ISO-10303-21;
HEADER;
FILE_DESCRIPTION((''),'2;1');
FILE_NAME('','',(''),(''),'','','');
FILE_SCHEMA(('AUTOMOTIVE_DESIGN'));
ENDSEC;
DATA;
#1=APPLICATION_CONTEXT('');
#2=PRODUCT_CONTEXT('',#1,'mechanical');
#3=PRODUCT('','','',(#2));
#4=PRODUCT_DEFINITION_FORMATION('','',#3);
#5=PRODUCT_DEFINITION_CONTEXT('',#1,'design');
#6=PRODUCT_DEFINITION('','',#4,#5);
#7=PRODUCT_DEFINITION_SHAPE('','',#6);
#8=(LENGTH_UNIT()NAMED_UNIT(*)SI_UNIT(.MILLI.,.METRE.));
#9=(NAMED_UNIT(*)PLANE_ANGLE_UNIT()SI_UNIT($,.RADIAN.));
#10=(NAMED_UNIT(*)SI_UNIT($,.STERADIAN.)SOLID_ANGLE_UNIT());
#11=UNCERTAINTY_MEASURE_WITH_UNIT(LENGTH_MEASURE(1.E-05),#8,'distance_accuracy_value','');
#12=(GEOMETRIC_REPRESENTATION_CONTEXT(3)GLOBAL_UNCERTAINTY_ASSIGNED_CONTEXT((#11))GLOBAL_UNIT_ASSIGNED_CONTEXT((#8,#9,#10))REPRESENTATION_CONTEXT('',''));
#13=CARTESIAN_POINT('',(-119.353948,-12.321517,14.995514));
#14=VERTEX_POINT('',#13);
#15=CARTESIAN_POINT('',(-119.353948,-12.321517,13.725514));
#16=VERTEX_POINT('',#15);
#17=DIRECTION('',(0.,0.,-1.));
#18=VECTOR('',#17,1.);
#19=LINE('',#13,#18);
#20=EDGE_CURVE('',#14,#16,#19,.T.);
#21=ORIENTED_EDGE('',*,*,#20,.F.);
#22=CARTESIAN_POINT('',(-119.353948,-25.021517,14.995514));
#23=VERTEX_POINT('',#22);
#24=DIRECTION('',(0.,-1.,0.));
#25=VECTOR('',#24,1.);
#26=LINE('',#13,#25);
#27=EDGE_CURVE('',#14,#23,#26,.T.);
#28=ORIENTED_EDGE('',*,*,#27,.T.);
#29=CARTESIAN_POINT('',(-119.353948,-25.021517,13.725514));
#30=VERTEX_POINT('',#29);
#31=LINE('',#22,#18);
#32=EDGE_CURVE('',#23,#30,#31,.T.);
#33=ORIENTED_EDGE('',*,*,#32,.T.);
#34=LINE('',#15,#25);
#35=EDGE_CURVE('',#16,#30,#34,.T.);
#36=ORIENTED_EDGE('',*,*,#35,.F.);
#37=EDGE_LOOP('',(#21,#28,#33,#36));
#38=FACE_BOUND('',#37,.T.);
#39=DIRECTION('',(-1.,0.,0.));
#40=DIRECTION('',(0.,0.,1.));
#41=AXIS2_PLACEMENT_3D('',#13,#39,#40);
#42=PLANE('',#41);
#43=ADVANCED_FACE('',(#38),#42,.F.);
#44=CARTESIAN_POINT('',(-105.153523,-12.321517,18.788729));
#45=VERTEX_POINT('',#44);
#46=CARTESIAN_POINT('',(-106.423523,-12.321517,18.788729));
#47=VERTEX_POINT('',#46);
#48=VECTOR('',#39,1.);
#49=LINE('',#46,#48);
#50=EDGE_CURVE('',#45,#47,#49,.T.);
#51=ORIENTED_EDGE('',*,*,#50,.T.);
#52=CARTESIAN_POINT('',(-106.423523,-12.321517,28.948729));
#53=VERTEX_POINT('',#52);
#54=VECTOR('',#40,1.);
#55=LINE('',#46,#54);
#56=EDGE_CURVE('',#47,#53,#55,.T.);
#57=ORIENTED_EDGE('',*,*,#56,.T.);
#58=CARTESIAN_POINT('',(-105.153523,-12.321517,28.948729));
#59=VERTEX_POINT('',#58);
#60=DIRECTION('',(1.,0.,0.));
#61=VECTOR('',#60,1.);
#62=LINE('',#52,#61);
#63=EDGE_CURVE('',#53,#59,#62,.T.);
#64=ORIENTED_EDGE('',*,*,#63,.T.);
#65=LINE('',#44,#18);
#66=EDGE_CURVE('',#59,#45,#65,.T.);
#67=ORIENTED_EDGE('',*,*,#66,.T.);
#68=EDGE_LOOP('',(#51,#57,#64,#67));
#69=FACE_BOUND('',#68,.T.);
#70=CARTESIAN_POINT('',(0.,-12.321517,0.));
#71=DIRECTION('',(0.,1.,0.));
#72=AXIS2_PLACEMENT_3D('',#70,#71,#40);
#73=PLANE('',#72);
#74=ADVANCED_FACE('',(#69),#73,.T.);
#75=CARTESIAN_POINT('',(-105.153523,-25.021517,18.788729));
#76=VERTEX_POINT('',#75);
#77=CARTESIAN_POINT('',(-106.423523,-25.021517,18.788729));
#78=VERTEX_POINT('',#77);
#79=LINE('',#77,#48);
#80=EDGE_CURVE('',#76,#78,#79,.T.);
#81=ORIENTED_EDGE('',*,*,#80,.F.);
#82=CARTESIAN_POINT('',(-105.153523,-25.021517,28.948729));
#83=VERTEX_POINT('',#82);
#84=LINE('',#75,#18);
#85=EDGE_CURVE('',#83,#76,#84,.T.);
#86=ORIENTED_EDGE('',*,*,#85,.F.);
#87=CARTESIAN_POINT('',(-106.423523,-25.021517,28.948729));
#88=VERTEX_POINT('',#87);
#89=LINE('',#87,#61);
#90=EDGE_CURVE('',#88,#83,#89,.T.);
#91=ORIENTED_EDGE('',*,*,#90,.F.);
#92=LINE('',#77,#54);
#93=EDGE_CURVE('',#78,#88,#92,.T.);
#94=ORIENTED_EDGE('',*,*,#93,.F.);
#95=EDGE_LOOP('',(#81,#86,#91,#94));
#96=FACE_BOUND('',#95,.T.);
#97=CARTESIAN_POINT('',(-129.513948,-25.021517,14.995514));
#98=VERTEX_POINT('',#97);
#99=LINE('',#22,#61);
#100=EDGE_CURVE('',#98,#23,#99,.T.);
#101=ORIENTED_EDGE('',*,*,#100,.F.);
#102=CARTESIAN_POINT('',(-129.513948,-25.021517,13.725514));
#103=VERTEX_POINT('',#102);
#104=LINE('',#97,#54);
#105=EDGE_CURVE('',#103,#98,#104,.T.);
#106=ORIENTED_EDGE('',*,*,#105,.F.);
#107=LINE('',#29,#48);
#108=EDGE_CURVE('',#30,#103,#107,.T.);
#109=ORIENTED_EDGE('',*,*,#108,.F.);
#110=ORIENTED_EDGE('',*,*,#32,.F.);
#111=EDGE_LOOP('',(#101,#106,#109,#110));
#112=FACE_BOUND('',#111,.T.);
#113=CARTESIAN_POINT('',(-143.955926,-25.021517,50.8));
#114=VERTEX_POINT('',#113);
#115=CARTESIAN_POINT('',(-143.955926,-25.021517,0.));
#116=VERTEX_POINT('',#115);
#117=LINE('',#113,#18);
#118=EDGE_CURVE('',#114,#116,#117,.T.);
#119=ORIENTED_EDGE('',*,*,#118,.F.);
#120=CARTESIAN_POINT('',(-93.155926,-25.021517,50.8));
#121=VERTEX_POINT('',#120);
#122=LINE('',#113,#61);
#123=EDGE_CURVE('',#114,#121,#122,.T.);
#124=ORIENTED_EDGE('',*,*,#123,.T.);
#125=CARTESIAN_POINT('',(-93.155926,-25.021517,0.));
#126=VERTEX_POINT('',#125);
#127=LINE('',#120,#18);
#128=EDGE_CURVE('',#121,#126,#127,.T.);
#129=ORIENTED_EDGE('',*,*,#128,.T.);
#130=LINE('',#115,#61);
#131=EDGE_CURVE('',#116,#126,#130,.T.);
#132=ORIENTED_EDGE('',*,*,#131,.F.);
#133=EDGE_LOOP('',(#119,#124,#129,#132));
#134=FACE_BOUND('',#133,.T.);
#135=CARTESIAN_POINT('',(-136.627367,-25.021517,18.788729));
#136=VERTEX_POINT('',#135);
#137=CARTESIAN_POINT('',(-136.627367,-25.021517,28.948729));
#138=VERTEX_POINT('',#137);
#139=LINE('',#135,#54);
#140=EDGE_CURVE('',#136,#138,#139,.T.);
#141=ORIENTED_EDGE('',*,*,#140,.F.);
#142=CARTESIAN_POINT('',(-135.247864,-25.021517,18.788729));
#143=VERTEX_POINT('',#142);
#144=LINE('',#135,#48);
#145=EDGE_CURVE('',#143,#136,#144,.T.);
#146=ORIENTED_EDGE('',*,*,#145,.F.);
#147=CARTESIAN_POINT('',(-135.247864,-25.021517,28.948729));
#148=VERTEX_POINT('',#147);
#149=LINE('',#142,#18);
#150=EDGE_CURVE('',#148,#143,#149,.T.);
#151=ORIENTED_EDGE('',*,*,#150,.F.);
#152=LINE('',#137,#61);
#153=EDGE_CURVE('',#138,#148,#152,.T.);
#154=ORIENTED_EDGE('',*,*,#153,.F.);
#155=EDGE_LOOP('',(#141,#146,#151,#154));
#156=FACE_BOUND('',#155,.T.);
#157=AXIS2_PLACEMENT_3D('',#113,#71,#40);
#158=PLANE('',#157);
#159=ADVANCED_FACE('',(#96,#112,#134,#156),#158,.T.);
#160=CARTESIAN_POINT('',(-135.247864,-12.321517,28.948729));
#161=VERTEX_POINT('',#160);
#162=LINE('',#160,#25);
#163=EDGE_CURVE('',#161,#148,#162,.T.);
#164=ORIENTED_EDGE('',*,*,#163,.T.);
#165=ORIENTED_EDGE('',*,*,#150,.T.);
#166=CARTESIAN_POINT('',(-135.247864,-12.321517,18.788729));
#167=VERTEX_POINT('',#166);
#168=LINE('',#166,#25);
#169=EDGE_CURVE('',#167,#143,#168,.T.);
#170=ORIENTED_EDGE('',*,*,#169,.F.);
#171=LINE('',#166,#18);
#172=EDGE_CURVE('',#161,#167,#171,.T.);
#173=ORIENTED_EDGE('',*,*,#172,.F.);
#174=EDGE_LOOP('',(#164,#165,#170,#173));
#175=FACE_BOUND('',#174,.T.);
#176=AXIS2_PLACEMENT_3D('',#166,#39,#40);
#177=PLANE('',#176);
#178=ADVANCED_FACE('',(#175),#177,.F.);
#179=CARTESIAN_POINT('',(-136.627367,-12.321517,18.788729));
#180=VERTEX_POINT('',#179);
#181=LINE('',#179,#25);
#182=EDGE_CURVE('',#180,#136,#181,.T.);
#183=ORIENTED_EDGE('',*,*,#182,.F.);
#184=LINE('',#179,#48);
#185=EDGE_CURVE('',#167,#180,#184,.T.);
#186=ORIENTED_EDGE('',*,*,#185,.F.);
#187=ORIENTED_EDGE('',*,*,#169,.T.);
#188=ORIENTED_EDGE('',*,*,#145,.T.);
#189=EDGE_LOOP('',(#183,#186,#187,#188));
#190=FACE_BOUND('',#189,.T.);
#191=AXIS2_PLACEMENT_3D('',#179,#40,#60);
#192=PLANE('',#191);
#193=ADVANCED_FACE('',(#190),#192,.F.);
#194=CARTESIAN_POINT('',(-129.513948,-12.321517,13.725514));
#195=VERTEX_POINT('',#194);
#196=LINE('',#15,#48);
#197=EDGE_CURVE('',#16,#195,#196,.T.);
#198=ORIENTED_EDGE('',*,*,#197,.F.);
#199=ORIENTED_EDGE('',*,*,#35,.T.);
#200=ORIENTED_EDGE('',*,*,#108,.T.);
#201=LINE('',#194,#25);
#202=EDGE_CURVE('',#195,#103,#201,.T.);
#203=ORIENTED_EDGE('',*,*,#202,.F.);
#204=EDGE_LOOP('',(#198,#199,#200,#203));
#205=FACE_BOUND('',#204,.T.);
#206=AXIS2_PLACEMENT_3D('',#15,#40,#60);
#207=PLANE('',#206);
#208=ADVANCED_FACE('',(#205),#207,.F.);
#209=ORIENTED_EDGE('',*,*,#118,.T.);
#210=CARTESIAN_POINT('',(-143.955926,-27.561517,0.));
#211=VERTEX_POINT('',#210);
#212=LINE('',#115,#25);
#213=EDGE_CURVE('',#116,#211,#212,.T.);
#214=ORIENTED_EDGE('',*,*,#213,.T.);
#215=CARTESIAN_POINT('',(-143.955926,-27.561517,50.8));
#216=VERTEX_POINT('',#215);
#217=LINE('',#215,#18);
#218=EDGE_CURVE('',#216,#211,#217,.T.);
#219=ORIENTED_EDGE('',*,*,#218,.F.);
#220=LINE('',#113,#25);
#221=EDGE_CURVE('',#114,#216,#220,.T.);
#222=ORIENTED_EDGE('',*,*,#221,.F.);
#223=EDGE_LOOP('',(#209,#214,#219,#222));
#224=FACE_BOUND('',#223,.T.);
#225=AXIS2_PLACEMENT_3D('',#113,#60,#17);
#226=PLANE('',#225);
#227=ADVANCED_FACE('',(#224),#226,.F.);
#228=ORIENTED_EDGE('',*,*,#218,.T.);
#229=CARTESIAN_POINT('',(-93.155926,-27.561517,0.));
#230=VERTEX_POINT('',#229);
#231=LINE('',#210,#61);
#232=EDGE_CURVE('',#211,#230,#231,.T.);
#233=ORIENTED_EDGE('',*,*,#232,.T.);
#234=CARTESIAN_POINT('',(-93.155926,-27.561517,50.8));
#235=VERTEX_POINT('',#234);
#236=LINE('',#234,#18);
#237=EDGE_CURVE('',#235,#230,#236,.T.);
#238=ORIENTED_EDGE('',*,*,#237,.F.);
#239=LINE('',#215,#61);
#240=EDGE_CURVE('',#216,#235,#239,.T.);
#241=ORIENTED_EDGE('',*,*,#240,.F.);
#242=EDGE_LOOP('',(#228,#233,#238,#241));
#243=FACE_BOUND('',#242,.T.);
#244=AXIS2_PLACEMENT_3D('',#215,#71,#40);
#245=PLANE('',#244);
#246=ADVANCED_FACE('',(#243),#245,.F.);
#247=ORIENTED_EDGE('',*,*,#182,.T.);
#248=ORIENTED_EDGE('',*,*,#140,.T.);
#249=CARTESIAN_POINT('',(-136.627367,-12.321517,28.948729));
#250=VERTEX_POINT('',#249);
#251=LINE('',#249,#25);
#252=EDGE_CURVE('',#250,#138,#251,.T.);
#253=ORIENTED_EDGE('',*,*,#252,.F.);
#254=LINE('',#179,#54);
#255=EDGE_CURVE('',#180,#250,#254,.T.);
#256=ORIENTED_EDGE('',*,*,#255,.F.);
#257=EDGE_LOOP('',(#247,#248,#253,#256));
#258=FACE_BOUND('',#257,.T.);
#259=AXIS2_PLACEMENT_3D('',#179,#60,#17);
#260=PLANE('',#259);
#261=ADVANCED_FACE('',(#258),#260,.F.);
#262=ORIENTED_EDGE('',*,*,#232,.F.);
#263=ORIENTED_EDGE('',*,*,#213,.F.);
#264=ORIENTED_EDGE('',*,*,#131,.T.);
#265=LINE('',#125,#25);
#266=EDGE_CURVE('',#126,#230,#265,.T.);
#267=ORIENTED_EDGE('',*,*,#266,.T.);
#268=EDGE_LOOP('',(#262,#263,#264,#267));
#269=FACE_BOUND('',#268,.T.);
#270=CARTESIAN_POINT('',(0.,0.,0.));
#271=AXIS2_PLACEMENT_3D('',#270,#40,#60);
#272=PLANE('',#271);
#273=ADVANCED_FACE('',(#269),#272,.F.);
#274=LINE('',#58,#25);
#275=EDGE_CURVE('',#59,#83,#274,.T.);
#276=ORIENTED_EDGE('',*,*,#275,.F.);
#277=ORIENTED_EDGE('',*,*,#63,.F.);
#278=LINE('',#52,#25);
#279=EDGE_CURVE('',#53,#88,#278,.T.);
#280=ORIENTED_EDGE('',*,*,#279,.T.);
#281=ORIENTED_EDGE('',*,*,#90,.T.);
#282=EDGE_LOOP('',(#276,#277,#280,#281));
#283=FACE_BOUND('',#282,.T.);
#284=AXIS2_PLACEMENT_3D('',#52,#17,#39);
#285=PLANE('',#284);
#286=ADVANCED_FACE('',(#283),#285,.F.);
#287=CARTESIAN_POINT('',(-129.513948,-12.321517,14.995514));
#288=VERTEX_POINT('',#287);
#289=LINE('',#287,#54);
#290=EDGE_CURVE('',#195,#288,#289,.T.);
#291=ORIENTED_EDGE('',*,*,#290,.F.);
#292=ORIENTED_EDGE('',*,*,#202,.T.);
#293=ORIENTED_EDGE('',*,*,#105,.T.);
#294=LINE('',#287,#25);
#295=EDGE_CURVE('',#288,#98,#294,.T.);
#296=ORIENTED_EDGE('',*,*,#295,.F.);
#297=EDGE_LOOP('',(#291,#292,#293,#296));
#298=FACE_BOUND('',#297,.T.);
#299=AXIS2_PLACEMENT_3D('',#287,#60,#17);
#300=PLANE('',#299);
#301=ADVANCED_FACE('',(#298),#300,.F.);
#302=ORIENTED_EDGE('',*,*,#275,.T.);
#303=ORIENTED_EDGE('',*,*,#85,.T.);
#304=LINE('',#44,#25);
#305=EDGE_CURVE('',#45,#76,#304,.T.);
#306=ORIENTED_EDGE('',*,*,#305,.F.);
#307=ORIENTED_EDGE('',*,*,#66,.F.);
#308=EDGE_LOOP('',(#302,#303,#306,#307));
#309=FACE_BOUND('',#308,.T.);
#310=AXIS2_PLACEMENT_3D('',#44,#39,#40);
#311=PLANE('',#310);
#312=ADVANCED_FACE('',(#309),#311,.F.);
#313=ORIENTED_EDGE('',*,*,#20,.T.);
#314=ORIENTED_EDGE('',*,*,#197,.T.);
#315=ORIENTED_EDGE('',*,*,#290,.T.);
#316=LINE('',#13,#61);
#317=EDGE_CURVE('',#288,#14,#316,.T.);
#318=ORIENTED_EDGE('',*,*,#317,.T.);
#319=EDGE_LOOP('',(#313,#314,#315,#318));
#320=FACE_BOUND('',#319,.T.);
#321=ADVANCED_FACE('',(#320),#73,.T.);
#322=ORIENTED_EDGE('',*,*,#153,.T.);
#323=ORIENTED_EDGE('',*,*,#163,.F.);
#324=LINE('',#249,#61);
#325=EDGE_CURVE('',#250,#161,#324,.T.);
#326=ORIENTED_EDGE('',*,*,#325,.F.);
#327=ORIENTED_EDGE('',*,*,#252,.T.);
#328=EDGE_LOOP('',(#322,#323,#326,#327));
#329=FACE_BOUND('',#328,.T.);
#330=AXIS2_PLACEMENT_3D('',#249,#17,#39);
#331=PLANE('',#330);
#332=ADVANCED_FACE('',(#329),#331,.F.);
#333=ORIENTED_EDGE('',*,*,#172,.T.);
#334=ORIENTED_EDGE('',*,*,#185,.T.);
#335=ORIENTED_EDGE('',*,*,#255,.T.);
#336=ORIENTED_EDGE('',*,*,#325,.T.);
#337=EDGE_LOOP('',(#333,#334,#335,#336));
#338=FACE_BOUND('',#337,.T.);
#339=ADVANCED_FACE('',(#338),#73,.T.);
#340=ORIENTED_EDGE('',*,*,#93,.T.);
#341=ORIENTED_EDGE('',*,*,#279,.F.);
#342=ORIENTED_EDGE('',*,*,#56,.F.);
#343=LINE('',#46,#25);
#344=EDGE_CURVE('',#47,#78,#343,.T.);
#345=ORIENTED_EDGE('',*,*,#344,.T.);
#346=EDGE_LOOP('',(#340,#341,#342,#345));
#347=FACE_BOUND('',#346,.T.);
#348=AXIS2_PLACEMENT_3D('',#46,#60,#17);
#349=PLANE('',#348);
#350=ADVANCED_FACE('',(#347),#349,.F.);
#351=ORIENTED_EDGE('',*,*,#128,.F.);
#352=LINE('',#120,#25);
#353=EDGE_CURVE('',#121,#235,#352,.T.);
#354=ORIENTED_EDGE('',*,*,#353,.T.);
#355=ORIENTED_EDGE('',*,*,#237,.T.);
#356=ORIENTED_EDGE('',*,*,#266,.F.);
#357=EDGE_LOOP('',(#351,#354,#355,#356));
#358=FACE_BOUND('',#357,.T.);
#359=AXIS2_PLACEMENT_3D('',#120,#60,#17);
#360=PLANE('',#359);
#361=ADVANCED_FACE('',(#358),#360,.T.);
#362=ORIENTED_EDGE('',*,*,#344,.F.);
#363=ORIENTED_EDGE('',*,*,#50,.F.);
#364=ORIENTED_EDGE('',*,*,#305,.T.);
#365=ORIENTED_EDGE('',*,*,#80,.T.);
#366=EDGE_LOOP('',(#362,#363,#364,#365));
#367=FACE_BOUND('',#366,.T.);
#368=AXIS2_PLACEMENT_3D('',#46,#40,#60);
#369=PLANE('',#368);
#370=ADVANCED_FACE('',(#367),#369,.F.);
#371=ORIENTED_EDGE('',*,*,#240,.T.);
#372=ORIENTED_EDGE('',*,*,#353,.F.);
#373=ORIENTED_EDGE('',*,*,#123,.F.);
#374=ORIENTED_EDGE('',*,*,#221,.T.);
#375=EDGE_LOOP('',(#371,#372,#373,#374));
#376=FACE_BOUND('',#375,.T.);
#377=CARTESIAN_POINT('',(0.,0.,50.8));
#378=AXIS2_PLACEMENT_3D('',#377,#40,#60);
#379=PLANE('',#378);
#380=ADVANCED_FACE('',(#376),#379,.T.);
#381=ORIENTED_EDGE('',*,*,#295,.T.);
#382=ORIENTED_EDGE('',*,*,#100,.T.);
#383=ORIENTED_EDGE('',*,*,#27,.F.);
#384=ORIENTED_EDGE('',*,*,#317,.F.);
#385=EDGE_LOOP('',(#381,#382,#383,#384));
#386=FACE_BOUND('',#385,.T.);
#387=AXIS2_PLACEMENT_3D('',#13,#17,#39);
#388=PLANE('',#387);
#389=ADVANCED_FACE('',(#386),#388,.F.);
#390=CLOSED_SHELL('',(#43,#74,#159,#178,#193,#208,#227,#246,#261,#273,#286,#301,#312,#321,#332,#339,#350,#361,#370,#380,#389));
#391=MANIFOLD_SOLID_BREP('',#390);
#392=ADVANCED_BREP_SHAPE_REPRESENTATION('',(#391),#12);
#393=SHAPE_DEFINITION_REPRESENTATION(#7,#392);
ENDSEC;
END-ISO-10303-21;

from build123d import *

# Parameters (mm, degrees)
SKETCH1_W           = 50.8
SKETCH1_H           = 2.54
BOSS_EXTRUDE1_DEPTH = 50.8
SKETCH2_W           = 10.16
SKETCH2_H           = 1.27
SKETCH2_W_2         = 1.27
SKETCH2_H_2         = 10.16
SKETCH2_W_3         = 1.379502468
BOSS_EXTRUDE2_DEPTH = 12.7


with BuildPart() as part:
    # Sketch1 → Boss-Extrude1 (new body)
    with BuildSketch(Plane.XY):
        with Locations((-118.555926356, -26.291516762)):
            Rectangle(SKETCH1_W, SKETCH1_H)
    extrude(amount=BOSS_EXTRUDE1_DEPTH)

    # Sketch2 → Boss-Extrude2 (add)
    with BuildSketch(Plane(origin=(0, -25.021516762, 0), x_dir=(1, 0, 0), z_dir=(0, 1, 0))):
        with Locations((-124.433948154, -14.360513522)):
            Rectangle(SKETCH2_W, SKETCH2_H)
        with Locations((-105.788523286, -23.868729288)):
            Rectangle(SKETCH2_W_2, SKETCH2_H_2)
        with Locations((-135.937615572, -23.868729288)):
            Rectangle(SKETCH2_W_3, SKETCH2_H_2)
    extrude(amount=BOSS_EXTRUDE2_DEPTH)


solid = part.part
